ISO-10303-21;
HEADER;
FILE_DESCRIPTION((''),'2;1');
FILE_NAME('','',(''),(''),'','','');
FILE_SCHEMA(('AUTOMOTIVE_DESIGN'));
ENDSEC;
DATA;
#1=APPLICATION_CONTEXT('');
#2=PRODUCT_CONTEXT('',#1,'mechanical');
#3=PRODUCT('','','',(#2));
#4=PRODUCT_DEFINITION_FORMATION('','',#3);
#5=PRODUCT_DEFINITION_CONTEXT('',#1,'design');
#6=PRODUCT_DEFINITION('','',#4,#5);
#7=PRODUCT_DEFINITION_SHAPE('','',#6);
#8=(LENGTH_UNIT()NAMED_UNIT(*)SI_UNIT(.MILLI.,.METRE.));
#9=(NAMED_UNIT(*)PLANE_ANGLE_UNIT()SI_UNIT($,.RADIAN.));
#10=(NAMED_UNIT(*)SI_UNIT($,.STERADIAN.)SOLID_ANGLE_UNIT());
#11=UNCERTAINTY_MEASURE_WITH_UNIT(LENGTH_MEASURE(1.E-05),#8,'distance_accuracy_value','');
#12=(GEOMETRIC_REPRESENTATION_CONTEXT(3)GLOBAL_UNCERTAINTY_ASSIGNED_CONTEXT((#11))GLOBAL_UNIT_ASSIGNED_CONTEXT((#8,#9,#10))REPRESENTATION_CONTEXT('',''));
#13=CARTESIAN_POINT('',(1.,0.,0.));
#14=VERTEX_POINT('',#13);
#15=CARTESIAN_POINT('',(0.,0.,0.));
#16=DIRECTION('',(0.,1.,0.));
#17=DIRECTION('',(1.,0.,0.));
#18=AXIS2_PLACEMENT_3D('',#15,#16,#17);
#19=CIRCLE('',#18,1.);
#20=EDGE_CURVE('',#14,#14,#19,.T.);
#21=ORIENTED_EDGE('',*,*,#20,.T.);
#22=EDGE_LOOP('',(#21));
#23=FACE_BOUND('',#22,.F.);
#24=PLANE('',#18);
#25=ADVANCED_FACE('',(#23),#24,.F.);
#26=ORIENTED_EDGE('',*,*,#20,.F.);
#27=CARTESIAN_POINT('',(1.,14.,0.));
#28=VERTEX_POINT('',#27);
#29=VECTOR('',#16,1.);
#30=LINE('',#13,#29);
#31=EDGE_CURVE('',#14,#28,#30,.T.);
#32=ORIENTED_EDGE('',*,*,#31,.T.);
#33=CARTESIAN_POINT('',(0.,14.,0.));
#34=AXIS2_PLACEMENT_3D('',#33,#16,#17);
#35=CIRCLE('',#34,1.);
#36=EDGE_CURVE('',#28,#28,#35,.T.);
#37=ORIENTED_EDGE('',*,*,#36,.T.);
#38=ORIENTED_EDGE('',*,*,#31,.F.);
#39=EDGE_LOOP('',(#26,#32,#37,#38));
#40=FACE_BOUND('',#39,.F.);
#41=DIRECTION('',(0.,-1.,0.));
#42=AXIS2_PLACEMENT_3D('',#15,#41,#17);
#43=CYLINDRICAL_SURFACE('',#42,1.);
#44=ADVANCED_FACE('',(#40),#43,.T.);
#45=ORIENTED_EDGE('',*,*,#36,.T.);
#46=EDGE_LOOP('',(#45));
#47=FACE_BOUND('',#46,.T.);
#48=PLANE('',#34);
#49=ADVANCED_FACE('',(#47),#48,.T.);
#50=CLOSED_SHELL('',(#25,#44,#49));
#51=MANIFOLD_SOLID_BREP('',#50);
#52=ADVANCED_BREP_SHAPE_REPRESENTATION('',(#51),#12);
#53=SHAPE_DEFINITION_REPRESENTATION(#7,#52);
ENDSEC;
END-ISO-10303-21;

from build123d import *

# Parameters (mm, degrees)
ESQUISSE1_R      = 1
EXTRUSION1_DEPTH = 14


with BuildPart() as part:
    # Esquisse1 → Extrusion1 (new body)
    with BuildSketch(Plane(origin=(0, 0, 0), x_dir=(1, 0, 0), z_dir=(0, 1, 0))):
        Circle(ESQUISSE1_R)
    extrude(amount=EXTRUSION1_DEPTH)


solid = part.part
